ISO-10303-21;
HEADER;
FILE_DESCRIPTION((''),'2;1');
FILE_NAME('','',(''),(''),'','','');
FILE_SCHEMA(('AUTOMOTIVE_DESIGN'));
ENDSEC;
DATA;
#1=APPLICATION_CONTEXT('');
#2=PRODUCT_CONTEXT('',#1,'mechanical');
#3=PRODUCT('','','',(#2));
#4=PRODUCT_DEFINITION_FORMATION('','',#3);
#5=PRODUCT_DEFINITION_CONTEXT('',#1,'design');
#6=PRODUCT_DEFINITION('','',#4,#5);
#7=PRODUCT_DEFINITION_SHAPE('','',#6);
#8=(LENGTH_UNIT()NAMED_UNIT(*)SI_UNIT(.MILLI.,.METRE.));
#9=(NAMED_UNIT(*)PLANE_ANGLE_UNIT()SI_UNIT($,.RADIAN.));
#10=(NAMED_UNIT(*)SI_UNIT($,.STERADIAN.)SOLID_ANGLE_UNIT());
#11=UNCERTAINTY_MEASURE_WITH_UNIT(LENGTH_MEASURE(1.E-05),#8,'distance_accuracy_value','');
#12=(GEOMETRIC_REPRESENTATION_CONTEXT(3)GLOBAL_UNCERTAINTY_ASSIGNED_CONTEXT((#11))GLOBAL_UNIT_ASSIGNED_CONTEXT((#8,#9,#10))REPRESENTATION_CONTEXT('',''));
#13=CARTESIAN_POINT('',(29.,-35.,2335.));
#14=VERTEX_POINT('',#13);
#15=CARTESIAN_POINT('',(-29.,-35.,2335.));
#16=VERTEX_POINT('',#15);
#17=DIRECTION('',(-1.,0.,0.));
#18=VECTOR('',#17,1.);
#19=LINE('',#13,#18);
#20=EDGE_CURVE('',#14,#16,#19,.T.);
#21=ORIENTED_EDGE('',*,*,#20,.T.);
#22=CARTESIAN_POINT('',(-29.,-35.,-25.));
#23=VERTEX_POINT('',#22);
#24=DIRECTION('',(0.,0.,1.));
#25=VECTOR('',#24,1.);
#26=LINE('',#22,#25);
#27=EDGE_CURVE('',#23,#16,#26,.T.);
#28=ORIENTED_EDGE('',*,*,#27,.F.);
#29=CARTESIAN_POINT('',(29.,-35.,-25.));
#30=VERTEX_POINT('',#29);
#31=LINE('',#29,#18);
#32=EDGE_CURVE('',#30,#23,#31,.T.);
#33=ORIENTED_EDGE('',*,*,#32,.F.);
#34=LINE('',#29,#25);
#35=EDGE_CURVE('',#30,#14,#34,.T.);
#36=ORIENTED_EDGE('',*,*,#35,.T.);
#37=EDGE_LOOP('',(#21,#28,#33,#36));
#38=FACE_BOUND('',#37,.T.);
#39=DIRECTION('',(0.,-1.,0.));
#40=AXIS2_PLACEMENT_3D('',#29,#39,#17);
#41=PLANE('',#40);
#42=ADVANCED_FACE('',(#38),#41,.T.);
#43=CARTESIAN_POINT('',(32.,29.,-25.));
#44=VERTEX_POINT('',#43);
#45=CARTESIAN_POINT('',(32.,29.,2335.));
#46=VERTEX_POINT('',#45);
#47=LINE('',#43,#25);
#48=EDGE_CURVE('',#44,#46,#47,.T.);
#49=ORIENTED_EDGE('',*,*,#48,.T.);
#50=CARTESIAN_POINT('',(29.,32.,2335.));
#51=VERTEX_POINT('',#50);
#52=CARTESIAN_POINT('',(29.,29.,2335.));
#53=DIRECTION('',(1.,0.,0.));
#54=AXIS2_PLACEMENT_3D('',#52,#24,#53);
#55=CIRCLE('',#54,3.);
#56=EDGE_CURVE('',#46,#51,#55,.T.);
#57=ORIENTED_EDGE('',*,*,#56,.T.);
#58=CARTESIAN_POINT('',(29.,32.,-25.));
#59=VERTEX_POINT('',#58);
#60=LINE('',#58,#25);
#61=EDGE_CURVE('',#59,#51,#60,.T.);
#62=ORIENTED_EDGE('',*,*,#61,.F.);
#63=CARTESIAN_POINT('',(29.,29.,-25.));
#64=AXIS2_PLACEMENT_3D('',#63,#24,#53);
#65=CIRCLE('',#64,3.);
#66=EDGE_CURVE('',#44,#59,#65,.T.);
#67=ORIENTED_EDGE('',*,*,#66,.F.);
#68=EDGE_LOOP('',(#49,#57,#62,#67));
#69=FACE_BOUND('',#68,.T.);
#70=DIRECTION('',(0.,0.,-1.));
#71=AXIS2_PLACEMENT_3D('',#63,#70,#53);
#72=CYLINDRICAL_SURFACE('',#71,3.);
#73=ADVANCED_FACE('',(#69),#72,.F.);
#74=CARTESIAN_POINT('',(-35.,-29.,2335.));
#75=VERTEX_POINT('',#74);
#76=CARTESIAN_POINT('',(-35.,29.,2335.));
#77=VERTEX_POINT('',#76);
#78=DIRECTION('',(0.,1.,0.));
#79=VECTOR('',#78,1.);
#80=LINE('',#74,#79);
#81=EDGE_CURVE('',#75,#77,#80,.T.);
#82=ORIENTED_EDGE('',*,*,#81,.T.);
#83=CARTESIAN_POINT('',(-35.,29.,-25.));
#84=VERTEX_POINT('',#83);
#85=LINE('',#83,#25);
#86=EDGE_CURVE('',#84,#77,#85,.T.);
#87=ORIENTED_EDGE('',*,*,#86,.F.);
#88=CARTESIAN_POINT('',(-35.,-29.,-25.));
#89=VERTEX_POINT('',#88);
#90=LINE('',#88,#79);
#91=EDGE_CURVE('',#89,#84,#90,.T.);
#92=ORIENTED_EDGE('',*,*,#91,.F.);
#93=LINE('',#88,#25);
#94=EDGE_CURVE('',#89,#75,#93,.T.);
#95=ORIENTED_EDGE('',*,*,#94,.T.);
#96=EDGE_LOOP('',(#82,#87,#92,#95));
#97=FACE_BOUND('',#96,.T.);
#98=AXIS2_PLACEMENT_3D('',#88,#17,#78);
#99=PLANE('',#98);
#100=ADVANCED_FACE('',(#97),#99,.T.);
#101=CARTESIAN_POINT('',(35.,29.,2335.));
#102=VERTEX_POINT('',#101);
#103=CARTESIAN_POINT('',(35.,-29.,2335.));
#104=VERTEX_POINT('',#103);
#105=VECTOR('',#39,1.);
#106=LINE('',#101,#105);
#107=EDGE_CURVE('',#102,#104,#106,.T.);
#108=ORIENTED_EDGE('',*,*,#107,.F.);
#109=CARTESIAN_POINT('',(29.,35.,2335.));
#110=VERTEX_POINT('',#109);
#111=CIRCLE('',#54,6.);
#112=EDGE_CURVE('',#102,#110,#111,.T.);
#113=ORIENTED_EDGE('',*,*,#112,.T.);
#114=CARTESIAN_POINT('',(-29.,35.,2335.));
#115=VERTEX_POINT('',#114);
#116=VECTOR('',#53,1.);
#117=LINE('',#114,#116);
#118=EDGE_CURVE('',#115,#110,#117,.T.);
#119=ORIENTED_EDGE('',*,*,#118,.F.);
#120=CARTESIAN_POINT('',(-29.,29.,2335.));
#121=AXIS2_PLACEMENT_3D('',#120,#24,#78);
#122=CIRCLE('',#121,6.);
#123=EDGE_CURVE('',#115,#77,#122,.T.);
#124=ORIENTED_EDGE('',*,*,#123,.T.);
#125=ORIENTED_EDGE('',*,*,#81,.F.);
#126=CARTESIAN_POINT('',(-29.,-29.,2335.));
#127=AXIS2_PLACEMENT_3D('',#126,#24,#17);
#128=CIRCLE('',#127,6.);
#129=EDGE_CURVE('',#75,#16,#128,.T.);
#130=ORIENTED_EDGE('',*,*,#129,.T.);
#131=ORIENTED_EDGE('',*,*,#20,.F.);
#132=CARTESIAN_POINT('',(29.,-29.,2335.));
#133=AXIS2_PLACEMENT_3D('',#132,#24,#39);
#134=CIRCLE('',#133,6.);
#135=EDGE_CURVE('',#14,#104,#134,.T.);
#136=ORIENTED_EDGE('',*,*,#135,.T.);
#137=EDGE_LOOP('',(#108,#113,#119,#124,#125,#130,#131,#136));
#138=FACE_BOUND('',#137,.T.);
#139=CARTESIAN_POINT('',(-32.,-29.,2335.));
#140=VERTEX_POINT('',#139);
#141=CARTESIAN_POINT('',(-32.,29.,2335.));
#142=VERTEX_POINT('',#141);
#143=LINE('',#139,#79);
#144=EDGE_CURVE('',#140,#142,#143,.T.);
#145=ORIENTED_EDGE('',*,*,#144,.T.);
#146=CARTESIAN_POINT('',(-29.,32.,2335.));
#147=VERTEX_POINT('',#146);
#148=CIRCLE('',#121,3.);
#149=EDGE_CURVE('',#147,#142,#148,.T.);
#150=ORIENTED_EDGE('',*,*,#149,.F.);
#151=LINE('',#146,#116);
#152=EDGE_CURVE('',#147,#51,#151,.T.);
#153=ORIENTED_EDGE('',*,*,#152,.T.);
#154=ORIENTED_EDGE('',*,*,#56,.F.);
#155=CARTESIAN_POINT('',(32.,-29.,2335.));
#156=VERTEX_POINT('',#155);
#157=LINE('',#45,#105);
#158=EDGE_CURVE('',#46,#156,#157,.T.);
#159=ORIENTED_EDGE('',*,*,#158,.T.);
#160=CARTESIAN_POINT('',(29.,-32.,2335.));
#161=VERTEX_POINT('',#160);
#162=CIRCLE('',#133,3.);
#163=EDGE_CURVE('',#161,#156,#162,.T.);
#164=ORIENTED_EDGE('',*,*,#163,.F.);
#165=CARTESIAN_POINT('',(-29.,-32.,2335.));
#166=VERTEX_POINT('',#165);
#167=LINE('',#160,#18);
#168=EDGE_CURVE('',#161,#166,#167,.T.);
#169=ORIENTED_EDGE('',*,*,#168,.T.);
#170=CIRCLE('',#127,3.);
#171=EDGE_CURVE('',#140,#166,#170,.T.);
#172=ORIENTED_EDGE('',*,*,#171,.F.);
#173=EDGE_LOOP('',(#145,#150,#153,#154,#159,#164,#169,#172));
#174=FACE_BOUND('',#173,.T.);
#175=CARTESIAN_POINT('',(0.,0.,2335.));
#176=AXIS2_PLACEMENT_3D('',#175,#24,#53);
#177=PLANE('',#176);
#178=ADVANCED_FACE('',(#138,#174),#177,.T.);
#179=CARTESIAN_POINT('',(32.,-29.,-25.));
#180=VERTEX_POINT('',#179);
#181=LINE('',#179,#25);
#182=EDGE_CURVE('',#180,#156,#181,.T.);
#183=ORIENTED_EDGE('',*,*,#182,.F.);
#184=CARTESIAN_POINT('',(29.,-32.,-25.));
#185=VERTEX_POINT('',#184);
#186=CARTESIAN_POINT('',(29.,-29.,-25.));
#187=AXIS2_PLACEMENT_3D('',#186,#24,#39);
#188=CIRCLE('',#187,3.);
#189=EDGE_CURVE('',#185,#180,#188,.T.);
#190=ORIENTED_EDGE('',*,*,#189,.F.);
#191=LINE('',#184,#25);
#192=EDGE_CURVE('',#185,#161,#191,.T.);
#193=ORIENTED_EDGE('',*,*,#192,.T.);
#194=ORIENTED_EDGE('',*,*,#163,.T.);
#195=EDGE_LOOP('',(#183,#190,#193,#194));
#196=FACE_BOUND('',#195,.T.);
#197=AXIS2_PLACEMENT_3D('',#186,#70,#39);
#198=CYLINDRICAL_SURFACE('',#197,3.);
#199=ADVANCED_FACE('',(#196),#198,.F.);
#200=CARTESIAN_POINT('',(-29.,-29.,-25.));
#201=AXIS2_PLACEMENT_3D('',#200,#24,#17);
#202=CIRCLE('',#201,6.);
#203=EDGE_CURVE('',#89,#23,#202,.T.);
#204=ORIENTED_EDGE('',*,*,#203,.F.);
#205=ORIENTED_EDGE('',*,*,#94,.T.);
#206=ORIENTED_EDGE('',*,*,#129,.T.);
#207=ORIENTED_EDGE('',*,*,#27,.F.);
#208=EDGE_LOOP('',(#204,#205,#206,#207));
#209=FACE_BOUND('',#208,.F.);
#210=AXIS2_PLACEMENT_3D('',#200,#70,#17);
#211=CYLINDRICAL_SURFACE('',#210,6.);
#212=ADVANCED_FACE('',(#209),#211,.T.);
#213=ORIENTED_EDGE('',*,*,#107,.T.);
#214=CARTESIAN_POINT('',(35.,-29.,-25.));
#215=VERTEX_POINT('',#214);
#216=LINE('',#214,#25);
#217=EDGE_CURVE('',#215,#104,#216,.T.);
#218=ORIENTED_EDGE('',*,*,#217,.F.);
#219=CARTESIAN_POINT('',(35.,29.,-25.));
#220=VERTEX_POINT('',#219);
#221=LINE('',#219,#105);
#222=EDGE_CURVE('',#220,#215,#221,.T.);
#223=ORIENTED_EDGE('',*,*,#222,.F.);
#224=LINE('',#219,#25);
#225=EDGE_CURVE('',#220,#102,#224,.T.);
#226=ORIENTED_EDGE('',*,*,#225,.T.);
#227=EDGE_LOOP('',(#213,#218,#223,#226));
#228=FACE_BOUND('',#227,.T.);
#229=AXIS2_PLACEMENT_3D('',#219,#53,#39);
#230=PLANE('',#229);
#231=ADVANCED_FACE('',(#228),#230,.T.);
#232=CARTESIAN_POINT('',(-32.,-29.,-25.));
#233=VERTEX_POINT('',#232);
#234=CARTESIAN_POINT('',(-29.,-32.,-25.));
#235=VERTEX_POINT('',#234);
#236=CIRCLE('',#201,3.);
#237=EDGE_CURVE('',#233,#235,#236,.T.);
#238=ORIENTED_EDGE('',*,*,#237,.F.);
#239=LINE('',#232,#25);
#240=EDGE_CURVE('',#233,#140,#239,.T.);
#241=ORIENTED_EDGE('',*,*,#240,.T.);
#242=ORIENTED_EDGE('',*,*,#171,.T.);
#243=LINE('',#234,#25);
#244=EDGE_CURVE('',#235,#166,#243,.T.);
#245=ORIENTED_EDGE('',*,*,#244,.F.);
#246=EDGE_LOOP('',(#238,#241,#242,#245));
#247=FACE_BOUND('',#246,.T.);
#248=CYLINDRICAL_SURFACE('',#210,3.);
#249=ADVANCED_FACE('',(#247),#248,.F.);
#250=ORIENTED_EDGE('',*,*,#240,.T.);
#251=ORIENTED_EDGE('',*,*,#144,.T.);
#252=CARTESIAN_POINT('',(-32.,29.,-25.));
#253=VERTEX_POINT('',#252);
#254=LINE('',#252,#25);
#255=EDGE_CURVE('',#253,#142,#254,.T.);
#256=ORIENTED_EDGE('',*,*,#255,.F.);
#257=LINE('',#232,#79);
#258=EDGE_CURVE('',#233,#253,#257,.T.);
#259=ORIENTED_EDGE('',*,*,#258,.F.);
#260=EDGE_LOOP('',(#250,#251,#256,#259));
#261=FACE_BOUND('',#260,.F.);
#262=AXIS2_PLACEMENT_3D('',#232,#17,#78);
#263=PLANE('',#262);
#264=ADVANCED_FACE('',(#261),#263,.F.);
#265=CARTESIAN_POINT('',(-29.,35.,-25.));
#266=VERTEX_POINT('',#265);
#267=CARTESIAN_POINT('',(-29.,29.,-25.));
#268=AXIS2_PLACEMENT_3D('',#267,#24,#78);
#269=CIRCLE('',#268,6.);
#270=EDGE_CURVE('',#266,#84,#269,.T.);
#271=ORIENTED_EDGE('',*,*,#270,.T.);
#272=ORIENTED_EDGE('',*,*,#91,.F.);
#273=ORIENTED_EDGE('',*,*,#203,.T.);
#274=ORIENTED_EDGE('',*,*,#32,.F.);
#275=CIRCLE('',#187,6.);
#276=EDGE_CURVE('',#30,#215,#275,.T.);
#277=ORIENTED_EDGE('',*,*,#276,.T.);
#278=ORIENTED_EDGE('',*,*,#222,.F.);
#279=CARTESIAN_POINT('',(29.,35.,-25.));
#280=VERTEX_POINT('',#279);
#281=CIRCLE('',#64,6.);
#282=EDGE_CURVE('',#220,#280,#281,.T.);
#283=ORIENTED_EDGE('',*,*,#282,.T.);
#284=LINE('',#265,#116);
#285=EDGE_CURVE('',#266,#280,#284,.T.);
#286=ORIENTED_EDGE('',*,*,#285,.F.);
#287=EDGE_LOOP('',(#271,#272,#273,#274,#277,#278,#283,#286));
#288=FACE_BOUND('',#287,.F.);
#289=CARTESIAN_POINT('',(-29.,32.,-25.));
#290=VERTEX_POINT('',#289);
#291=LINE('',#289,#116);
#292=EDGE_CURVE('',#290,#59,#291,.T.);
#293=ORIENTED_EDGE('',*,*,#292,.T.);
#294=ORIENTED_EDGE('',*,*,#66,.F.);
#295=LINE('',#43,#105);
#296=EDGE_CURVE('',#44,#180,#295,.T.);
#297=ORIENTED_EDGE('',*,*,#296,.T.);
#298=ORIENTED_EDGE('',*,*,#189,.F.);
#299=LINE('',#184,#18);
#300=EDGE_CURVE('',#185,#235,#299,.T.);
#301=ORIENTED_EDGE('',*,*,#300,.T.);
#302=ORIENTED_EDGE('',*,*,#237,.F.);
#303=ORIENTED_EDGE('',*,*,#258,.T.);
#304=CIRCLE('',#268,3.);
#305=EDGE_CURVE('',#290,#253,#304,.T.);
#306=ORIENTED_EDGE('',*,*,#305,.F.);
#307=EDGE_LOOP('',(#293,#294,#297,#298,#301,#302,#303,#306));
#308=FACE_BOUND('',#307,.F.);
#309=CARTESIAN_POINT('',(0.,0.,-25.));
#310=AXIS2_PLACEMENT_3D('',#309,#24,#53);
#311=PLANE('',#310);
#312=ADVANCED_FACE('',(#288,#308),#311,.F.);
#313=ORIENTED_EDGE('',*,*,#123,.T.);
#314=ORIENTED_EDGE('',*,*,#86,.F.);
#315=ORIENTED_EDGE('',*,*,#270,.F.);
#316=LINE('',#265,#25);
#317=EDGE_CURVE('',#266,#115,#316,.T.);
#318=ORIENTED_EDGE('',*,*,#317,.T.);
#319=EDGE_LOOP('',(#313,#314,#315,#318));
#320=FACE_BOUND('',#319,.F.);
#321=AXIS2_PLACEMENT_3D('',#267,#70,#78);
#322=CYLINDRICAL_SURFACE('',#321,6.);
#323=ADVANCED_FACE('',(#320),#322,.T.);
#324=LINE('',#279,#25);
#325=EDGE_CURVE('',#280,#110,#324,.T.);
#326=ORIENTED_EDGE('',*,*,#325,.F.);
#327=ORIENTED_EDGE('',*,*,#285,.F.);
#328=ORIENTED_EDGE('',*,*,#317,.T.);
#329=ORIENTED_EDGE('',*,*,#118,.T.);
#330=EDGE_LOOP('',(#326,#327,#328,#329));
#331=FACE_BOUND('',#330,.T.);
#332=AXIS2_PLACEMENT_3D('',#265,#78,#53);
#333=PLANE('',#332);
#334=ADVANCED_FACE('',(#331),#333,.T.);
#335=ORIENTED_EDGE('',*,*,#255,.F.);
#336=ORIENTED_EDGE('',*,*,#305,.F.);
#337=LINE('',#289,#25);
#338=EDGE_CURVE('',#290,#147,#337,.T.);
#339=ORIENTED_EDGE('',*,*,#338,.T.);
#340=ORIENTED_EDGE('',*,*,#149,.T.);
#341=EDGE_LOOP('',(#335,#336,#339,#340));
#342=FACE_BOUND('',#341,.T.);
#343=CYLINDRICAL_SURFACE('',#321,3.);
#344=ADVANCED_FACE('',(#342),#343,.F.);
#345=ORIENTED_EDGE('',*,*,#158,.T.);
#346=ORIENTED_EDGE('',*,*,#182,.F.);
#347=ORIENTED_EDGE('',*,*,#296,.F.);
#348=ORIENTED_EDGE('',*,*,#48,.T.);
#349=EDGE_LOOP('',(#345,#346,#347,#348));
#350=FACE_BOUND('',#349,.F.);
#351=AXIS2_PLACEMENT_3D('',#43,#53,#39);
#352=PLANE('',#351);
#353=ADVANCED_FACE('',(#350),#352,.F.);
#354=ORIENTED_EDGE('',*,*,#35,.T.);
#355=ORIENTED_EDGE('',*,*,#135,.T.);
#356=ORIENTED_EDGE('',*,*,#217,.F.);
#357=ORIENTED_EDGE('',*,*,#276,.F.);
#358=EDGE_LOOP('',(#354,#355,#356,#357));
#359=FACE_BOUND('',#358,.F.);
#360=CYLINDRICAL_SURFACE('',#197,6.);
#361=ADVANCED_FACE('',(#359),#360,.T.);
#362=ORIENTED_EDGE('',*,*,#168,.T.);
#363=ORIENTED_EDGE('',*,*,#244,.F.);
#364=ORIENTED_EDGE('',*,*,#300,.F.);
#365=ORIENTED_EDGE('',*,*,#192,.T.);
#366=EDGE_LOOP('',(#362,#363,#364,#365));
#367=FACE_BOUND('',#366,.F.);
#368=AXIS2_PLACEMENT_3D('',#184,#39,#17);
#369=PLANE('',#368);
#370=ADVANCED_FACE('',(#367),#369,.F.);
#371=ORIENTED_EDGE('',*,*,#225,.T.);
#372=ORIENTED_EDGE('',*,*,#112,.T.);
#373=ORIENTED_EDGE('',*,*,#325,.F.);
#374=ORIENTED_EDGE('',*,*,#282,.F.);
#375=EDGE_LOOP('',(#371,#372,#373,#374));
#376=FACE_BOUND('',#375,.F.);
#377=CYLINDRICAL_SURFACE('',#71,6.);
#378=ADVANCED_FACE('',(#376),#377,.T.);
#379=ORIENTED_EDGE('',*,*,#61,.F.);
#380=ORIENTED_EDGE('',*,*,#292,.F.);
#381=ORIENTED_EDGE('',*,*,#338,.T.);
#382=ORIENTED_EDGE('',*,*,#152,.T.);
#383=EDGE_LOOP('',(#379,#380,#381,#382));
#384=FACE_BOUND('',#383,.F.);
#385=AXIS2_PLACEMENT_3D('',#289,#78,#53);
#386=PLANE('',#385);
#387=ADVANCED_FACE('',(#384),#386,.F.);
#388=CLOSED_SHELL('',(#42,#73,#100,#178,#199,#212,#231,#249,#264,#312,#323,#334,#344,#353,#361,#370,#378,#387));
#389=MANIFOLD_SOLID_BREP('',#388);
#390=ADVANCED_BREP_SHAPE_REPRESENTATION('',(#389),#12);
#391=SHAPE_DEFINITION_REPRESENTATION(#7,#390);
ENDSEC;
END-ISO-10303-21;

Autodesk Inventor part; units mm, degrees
ref_plane "Start Plane" through (0, 0, -25) normal (0, 0, 1) x (1, 0, 0)
ref_plane "End Plane" through (0, 0, 2335) normal (0, 0, 1) x (1, 0, 0)
sketch "Sketch" plane through (0, 0, 0) normal (0, 0, 1) x (1, 0, 0)
  line L0 (-35, -29) -> (-35, 29)
  line L1 (-29, 35) -> (29, 35)
  line L2 (35, 29) -> (35, -29)
  line L3 (29, -35) -> (-29, -35)
  arc A0 (-35, -29) -> (-29, -35) centre (-29, -29) ccw
  arc A1 (35, 29) -> (29, 35) centre (29, 29) ccw
  arc A2 (-29, 35) -> (-35, 29) centre (-29, 29) ccw
  arc A3 (29, -35) -> (35, -29) centre (29, -29) ccw
  arc A4 (-29, 32) -> (-32, 29) centre (-29, 29) ccw
  line L4 (-29, 32) -> (29, 32)
  arc A5 (32, 29) -> (29, 32) centre (29, 29) ccw
  line L5 (32, 29) -> (32, -29)
  arc A6 (29, -32) -> (32, -29) centre (29, -29) ccw
  line L6 (29, -32) -> (-29, -32)
  arc A7 (-32, -29) -> (-29, -32) centre (-29, -29) ccw
  line L7 (-32, -29) -> (-32, 29)
  line L8 (0, 50.7397) -> (0, -50.7397) construction
  line L9 (-50.7397, 0) -> (50.7397, 0) construction
  dimension "d7" = 6
  dimension "d9" = 70
  dimension "d11" = 70
  dimension "d12" = 3
  dimension "d15" = 35
  dimension "d16" = 35
extrude "Body" add sketch "Sketch" along normal up to surface (2360 mm away) from surface at -25
sketch "Sketch3" plane through (0, 0, 0) normal (0, 0, 1) x (1, 0, 0)
  line L0 (0, 0) -> (10, 0)
ref_plane "Work Plane3" through (0, 0, 0) normal (0, -1, 0) x (1, 0, 0)
sketch "Sketch4" plane through (0, 0, 0) normal (0, -1, 0) x (1, 0, 0)
  line L0 (-2, -25) -> (12, -25)
  line L1 (-2, 2335) -> (12, 2335)
  dimension "d18" = 2360
ref_plane "Work Plane4" through (0, 21, -25) normal (0, 0, -1) x (-1, 0, 0)
split "Split1" plane through (0, 21, -25) removes the side toward (0, 0, -1)
ref_plane "Work Plane5" through (0, -21, 2335) normal (0, 0, 1) x (1, 0, 0)
split "Split2" plane through (0, -21, 2335) removes the side toward (0, 0, 1)
equation "\"d7\" = G_IR"
equation "\"d9\" = G_W"
equation "\"d11\" = G_H"
equation "\"d12\" = G_T"
equation "\"d15\" = 0.5 * d9"
equation "\"d16\" = 0.5 * d11"
equation "\"d3\" = G_L"
equation "\"G_W\" = 70"
equation "\"G_H\" = 70"
equation "\"G_T\" = 3"
equation "\"G_IR\" = 6"
equation "\"G_L\" = d18"
equation "\"G_OFFSET_START\" = 25"
equation "\"G_OFFSET_END\" = 25"
equation "\"d13\" = -G_OFFSET_START"
equation "\"d14\" = G_OFFSET_END + B_L"
equation "\"B_L\" = 2310"
properties part number "ISO 10799-2 - 70x70x3 - 2360" material "Galvanizado catalogo 2"
